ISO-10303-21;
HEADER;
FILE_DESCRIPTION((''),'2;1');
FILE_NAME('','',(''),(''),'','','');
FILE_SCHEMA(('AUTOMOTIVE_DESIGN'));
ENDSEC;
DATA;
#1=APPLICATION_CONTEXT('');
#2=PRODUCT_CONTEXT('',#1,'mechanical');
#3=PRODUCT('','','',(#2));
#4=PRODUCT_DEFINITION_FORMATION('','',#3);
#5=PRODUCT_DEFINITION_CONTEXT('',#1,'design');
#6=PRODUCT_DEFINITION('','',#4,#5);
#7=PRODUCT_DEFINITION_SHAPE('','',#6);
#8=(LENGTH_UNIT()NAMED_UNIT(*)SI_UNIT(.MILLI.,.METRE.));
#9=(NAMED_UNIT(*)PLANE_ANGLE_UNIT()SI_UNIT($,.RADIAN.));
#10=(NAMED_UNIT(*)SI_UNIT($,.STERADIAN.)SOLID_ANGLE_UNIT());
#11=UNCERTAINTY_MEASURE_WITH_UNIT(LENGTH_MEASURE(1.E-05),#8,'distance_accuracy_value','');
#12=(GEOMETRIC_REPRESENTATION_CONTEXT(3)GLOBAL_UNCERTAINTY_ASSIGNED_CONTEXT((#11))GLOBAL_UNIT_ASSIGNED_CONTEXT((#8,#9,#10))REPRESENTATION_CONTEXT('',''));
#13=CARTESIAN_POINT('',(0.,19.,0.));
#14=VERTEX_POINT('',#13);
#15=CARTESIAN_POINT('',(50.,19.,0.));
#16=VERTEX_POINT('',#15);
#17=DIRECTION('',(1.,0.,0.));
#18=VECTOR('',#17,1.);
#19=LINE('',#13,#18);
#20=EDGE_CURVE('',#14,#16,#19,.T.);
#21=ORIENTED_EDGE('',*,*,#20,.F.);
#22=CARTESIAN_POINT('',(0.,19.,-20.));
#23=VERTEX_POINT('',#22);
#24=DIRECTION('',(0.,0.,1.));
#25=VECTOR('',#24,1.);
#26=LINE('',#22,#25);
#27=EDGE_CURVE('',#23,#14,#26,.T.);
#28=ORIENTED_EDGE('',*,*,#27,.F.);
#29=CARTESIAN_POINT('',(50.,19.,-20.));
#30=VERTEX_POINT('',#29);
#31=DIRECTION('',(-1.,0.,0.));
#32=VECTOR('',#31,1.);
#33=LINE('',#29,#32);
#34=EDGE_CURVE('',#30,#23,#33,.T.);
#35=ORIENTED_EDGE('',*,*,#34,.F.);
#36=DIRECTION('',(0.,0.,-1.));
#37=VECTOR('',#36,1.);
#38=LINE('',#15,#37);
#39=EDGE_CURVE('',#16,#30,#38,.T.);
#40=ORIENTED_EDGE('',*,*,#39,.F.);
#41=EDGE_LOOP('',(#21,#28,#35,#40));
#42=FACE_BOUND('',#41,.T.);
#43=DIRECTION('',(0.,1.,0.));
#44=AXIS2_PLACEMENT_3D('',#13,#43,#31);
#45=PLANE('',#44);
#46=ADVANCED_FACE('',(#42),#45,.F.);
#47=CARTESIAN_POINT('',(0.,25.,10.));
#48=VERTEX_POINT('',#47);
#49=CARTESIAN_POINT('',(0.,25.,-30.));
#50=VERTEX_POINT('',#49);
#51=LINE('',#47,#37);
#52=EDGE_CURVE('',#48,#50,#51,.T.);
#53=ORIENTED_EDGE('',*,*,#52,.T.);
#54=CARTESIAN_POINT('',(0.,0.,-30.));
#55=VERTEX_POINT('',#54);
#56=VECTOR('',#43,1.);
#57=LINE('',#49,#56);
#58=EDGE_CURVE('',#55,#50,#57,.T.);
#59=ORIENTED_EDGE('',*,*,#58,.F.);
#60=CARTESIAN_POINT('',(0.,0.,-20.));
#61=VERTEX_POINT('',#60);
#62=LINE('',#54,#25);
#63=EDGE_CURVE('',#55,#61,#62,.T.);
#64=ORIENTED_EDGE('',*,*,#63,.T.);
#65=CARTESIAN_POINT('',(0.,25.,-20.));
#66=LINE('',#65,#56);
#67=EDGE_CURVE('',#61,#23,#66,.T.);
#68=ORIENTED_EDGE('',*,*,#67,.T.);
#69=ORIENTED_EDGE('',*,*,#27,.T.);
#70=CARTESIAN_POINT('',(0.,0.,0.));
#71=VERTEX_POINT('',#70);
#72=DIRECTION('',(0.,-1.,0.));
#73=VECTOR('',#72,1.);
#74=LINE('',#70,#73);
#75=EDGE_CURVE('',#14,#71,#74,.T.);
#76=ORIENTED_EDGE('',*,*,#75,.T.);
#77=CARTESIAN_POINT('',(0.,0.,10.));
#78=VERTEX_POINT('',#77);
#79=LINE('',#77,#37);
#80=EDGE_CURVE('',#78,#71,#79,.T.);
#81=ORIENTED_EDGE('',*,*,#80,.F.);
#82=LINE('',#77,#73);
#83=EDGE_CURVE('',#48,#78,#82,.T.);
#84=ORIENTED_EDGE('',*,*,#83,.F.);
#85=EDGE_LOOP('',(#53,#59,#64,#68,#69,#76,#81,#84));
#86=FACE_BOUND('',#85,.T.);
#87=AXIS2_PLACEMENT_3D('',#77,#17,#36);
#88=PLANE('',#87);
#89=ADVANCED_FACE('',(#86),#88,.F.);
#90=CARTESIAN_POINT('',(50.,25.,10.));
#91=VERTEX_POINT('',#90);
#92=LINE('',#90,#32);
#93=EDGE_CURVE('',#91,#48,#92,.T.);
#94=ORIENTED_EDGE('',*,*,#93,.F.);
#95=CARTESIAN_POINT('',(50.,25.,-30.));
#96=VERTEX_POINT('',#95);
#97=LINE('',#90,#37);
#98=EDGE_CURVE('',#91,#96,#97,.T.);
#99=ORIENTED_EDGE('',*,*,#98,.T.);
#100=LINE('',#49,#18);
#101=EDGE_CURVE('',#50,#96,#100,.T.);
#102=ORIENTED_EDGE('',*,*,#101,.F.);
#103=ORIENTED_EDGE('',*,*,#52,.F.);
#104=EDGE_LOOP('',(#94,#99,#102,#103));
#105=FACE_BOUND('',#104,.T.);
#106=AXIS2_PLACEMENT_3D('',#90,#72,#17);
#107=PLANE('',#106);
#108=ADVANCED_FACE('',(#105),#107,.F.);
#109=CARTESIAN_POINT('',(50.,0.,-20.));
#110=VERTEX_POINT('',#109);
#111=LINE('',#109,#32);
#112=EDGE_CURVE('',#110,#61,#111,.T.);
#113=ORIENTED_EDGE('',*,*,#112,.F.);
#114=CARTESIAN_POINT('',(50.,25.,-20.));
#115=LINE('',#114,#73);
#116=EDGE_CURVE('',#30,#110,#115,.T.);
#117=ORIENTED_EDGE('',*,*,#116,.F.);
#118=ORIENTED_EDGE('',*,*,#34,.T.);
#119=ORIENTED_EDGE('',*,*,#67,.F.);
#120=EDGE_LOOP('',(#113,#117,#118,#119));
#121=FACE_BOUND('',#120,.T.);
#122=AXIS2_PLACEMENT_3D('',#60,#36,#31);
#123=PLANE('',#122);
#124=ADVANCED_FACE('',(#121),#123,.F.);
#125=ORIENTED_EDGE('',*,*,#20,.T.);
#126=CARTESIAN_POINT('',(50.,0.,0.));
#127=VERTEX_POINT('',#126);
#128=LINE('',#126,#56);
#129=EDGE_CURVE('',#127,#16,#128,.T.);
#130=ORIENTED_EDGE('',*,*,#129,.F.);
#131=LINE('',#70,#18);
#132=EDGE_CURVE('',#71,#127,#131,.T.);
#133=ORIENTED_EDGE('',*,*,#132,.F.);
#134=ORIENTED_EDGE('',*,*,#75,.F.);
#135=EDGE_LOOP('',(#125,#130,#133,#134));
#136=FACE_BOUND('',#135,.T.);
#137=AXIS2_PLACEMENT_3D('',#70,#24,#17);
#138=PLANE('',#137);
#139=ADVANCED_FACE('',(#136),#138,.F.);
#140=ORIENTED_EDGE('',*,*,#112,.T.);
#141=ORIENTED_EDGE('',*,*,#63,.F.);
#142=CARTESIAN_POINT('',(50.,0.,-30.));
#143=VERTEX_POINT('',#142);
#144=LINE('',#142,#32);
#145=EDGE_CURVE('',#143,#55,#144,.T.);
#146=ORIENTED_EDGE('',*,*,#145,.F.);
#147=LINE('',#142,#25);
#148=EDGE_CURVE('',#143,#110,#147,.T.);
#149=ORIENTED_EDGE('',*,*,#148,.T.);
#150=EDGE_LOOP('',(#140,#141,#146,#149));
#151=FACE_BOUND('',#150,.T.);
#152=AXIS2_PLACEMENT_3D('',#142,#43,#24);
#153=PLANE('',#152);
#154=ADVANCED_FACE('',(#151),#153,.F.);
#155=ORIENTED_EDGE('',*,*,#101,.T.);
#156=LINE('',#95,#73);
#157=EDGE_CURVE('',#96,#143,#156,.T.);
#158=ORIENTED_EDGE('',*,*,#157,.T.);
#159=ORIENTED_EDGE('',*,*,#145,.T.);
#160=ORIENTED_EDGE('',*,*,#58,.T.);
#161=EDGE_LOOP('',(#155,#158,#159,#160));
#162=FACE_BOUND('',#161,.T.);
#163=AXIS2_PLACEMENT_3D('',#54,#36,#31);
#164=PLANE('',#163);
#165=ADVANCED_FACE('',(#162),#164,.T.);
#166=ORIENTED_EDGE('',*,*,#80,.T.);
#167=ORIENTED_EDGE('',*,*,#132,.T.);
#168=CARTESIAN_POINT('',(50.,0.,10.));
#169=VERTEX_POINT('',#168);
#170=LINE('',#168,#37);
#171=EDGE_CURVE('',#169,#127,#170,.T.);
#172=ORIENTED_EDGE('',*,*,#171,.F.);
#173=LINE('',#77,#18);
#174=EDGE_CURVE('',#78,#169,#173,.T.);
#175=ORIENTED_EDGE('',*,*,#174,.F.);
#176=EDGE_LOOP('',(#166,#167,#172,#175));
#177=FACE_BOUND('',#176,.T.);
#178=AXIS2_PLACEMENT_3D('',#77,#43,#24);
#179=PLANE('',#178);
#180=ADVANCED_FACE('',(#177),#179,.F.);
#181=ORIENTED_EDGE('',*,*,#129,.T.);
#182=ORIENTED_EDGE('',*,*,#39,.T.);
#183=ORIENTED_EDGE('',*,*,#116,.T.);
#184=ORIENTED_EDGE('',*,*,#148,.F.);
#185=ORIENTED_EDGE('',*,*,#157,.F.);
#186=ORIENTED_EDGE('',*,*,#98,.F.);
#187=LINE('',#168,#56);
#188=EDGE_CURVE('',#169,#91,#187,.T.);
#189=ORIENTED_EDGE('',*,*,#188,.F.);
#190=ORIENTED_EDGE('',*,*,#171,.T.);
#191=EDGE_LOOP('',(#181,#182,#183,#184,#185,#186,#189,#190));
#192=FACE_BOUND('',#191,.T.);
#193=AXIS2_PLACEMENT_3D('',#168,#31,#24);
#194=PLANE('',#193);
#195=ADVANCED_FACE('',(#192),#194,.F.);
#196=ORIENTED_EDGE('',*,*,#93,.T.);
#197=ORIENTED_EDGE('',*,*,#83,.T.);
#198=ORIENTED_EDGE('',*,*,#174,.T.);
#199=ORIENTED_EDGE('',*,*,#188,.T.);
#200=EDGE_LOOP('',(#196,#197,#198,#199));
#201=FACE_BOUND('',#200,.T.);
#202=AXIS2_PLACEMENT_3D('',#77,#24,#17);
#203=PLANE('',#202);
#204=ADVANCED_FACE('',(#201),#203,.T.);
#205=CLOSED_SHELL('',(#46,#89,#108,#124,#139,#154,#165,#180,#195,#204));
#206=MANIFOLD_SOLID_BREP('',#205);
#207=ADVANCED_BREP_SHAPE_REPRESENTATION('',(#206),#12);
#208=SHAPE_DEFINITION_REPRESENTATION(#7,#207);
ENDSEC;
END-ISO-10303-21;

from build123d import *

# Parameters (mm, degrees)
ESBO_O1_W                = 50
ESBO_O1_H                = 25
RESSALTO_EXTRUS_O1_DEPTH = 10
ESBO_O2_W                = 50
ESBO_O2_H                = 20
RESSALTO_EXTRUS_O2_DEPTH = 6
ESBO_O3_W                = 50
ESBO_O3_H                = 25
RESSALTO_EXTRUS_O3_DEPTH = 10


with BuildPart() as part:
    # Esboço1 → Ressalto-extrusão1 (new body)
    with BuildSketch(Plane.XY):
        with Locations((25, 12.5)):
            Rectangle(ESBO_O1_W, ESBO_O1_H)
    extrude(amount=RESSALTO_EXTRUS_O1_DEPTH)

    # Esboço2 → Ressalto-extrusão2 (add)
    with BuildSketch(Plane(origin=(0, 25, 0), x_dir=(1, 0, 0), z_dir=(0, 1, 0))):
        with Locations((25, 10)):
            Rectangle(ESBO_O2_W, ESBO_O2_H)
    extrude(amount=-RESSALTO_EXTRUS_O2_DEPTH)

    # Esboço3 → Ressalto-extrusão3 (add)
    with BuildSketch(Plane(origin=(0, 0, -20), x_dir=(-1, 0, 0), z_dir=(0, 0, -1))):
        with Locations((-25, 12.5)):
            Rectangle(ESBO_O3_W, ESBO_O3_H)
    extrude(amount=RESSALTO_EXTRUS_O3_DEPTH)


solid = part.part
